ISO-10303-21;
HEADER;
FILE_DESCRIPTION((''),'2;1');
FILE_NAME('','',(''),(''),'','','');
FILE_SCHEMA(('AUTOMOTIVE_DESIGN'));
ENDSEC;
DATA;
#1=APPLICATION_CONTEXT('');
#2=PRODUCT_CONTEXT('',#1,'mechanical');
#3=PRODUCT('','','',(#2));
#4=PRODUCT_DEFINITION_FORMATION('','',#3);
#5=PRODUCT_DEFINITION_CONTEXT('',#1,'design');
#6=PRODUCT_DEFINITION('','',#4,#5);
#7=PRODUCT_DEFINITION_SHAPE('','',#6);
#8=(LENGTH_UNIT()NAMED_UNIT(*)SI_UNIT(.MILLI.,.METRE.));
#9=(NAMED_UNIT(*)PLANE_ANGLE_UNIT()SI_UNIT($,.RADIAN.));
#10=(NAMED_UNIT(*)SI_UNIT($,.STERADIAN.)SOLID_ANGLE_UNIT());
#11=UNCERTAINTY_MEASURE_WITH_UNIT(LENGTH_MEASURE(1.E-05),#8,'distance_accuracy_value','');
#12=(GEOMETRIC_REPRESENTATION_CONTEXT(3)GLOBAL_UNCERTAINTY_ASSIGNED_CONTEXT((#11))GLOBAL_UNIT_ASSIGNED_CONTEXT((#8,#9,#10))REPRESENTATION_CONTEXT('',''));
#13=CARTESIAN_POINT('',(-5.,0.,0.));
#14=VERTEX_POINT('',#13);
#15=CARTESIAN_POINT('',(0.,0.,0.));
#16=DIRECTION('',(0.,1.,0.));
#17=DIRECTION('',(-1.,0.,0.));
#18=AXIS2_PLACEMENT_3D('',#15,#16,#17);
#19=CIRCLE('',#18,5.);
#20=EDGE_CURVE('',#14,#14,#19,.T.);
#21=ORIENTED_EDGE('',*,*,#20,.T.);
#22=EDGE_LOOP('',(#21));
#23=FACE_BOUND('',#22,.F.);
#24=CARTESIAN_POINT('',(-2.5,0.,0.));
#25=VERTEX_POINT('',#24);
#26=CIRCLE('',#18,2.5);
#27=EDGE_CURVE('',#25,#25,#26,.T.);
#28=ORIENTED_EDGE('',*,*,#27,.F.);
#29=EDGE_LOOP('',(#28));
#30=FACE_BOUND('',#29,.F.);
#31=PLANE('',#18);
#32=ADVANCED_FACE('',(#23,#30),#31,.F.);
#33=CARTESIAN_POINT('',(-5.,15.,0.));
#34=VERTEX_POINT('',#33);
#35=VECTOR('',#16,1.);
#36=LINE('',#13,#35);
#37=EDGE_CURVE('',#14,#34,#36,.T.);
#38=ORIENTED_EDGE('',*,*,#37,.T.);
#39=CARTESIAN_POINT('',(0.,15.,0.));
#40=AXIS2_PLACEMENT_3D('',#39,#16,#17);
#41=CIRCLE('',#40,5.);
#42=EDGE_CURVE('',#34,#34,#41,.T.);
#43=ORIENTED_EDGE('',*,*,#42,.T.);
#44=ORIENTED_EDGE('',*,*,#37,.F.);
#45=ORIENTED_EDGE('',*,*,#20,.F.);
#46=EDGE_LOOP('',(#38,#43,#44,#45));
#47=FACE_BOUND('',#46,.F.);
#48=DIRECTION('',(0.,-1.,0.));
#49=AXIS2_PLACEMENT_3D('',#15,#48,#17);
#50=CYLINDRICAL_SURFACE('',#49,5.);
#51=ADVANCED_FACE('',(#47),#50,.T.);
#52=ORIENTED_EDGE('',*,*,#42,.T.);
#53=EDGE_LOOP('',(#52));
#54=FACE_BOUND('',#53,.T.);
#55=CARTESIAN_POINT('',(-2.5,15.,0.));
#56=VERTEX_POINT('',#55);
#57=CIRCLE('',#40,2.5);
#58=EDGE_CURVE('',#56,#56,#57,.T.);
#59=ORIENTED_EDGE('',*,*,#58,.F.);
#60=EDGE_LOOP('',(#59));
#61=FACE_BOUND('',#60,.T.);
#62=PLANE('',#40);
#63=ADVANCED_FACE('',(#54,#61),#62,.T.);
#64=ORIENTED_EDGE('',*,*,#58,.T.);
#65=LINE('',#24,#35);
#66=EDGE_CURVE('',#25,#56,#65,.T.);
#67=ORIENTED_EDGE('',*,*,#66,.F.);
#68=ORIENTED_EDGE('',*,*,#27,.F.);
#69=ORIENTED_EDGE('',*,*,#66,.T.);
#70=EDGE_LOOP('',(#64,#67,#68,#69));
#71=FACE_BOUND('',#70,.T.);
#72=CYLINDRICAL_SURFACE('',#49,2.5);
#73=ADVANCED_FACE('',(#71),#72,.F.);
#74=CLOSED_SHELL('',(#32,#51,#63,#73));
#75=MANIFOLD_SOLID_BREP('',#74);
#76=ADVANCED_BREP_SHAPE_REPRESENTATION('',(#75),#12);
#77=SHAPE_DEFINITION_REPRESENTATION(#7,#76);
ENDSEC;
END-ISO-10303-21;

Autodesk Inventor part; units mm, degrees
ref_plane "YZ Plane" through (0, 0, 0) normal (1, 0, 0) x (0, 1, 0)
ref_plane "XZ Plane" through (0, 0, 0) normal (0, 1, 0) x (-1, 0, 0)
ref_plane "XY Plane" through (0, 0, 0) normal (0, 0, 1) x (1, 0, 0)
sketch "Szkic1" plane through (0, 0, 0) normal (0, 1, 0) x (-1, 0, 0)
  circle A0 centre (0, 0) radius 2.5
  circle A1 centre (0, 0) radius 5
  dimension "d0" = 5
  dimension "d1" = 10
extrude "Wyciągnięcie proste1" add sketch "Szkic1" along normal blind 15
properties part number "tuleja_M5_M10_15"
